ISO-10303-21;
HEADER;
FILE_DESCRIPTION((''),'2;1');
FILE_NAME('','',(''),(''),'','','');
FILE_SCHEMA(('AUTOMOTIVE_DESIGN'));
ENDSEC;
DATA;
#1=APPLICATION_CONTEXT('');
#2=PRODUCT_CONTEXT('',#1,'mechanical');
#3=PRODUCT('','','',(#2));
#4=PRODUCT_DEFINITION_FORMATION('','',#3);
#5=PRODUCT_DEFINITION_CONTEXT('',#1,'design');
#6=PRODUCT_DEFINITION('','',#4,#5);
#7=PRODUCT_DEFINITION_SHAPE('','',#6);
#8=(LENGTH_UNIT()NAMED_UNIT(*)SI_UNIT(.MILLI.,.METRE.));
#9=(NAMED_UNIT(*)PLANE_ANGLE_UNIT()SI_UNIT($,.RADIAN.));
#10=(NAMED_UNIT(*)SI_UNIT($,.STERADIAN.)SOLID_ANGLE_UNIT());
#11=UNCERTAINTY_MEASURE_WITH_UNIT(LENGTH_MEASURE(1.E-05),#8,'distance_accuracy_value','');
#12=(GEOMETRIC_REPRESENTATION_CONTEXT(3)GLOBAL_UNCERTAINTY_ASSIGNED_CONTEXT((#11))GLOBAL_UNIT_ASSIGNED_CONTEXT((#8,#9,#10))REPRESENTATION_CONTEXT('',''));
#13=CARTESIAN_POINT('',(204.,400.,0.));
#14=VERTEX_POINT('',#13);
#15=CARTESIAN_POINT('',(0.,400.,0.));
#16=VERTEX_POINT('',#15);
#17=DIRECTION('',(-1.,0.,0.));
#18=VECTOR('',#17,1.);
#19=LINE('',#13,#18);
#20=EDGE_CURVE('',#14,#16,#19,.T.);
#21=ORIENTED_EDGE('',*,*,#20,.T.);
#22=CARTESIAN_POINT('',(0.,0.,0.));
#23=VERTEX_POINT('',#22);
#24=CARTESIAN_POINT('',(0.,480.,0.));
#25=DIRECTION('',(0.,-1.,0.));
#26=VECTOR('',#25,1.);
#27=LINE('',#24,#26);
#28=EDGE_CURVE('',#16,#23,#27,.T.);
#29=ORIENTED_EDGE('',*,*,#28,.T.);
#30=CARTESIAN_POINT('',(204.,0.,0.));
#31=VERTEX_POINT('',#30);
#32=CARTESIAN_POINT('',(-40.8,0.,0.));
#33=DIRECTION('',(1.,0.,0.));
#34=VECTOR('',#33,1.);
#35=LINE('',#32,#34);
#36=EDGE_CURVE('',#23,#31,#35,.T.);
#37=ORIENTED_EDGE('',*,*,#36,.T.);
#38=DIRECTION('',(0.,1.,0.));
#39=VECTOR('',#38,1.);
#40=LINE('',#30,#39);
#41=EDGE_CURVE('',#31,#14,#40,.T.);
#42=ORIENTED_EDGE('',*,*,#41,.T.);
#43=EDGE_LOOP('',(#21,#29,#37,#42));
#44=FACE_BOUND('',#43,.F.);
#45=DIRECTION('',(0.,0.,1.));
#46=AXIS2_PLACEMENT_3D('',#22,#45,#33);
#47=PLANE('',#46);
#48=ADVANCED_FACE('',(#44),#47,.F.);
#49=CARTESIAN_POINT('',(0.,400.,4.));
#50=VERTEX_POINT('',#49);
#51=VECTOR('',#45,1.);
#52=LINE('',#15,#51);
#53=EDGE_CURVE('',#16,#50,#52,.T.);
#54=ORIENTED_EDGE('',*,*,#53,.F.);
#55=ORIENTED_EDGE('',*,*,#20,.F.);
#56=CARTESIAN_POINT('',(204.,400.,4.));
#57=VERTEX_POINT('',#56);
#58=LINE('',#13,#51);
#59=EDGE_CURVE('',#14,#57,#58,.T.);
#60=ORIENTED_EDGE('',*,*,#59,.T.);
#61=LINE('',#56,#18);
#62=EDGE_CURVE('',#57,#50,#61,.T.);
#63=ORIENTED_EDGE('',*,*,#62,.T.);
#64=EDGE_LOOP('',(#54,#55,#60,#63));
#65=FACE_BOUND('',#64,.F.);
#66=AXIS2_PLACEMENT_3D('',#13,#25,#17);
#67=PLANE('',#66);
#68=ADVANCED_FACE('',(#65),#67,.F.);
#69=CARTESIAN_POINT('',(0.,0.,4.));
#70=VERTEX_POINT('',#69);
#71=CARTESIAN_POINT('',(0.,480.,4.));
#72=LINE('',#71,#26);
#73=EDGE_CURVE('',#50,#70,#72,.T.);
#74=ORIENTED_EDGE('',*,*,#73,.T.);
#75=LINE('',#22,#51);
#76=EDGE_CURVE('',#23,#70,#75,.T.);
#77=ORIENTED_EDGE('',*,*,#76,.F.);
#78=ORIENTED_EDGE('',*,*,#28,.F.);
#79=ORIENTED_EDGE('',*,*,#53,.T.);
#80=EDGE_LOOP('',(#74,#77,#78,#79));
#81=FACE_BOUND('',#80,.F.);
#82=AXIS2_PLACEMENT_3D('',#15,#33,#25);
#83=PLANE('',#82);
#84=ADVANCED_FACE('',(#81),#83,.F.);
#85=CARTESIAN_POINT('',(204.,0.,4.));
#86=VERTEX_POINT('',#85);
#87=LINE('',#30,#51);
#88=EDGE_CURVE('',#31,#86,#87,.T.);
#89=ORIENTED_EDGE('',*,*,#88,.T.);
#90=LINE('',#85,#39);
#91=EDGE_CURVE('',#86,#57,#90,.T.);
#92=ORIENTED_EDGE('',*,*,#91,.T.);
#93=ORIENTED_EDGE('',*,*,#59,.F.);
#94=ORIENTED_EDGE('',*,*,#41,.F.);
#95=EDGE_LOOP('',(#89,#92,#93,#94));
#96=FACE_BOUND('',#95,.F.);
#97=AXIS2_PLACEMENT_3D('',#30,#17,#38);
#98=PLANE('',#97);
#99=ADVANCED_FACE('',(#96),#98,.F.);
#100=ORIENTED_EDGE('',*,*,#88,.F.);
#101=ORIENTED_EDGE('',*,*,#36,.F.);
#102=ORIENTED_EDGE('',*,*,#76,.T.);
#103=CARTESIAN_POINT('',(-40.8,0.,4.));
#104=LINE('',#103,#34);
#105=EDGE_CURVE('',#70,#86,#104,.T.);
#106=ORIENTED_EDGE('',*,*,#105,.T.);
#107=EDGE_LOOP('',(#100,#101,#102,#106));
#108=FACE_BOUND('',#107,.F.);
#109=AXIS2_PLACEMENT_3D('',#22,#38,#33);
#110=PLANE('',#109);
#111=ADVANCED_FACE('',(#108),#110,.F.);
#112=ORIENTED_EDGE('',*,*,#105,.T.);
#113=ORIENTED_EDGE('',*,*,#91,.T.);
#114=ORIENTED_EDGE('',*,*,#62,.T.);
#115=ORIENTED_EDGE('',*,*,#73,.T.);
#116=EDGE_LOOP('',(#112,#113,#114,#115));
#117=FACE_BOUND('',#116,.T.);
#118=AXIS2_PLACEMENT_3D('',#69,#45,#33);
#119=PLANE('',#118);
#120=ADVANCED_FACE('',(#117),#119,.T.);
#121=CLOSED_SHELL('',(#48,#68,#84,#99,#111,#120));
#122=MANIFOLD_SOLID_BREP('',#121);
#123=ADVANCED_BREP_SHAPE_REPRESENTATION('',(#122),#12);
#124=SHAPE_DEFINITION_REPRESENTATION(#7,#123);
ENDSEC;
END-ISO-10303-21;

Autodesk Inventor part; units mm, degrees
ref_plane "YZ Plane" through (0, 0, 0) normal (1, 0, 0) x (0, 1, 0)
ref_plane "XZ Plane" through (0, 0, 0) normal (0, 1, 0) x (-1, 0, 0)
ref_plane "XY Plane" through (0, 0, 0) normal (0, 0, 1) x (1, 0, 0)
sketch "Sketch1" plane through (0, 0, 0) normal (0, 0, 1) x (1, 0, 0)
  line L0 (0, 480) -> (0, -80)
  line L1 (-40.8, 0) -> (244.8, 0)
  line L2 (0, 0) -> (204, 0)
  line L3 (204, 0) -> (204, 400)
  line L4 (204, 400) -> (0, 400)
  line L5 (0, 400) -> (0, 0)
  dimension "d0" = 204
  dimension "d1" = 400
extrude "Plate1" add sketch "Sketch1" along normal blind 4
equation "\"d2\" = Thickness"
equation "\"BendRadius\" = Thickness"
equation "\"BendReliefWidth\" = Thickness"
equation "\"BendReliefDepth\" = 0.5 * Thickness"
equation "\"CornerReliefSize\" = 4 * Thickness"
equation "\"MinimumRemnant\" = 2 * Thickness"
equation "\"TransitionRadius\" = BendRadius"
equation "\"JacobiRadiusSize\" = BendRadius"
equation "\"GapSize\" = Thickness"
equation "\"Thickness\" = 4"
properties part number "SIDE_PART_BOX" material "Wood (Birch)"
